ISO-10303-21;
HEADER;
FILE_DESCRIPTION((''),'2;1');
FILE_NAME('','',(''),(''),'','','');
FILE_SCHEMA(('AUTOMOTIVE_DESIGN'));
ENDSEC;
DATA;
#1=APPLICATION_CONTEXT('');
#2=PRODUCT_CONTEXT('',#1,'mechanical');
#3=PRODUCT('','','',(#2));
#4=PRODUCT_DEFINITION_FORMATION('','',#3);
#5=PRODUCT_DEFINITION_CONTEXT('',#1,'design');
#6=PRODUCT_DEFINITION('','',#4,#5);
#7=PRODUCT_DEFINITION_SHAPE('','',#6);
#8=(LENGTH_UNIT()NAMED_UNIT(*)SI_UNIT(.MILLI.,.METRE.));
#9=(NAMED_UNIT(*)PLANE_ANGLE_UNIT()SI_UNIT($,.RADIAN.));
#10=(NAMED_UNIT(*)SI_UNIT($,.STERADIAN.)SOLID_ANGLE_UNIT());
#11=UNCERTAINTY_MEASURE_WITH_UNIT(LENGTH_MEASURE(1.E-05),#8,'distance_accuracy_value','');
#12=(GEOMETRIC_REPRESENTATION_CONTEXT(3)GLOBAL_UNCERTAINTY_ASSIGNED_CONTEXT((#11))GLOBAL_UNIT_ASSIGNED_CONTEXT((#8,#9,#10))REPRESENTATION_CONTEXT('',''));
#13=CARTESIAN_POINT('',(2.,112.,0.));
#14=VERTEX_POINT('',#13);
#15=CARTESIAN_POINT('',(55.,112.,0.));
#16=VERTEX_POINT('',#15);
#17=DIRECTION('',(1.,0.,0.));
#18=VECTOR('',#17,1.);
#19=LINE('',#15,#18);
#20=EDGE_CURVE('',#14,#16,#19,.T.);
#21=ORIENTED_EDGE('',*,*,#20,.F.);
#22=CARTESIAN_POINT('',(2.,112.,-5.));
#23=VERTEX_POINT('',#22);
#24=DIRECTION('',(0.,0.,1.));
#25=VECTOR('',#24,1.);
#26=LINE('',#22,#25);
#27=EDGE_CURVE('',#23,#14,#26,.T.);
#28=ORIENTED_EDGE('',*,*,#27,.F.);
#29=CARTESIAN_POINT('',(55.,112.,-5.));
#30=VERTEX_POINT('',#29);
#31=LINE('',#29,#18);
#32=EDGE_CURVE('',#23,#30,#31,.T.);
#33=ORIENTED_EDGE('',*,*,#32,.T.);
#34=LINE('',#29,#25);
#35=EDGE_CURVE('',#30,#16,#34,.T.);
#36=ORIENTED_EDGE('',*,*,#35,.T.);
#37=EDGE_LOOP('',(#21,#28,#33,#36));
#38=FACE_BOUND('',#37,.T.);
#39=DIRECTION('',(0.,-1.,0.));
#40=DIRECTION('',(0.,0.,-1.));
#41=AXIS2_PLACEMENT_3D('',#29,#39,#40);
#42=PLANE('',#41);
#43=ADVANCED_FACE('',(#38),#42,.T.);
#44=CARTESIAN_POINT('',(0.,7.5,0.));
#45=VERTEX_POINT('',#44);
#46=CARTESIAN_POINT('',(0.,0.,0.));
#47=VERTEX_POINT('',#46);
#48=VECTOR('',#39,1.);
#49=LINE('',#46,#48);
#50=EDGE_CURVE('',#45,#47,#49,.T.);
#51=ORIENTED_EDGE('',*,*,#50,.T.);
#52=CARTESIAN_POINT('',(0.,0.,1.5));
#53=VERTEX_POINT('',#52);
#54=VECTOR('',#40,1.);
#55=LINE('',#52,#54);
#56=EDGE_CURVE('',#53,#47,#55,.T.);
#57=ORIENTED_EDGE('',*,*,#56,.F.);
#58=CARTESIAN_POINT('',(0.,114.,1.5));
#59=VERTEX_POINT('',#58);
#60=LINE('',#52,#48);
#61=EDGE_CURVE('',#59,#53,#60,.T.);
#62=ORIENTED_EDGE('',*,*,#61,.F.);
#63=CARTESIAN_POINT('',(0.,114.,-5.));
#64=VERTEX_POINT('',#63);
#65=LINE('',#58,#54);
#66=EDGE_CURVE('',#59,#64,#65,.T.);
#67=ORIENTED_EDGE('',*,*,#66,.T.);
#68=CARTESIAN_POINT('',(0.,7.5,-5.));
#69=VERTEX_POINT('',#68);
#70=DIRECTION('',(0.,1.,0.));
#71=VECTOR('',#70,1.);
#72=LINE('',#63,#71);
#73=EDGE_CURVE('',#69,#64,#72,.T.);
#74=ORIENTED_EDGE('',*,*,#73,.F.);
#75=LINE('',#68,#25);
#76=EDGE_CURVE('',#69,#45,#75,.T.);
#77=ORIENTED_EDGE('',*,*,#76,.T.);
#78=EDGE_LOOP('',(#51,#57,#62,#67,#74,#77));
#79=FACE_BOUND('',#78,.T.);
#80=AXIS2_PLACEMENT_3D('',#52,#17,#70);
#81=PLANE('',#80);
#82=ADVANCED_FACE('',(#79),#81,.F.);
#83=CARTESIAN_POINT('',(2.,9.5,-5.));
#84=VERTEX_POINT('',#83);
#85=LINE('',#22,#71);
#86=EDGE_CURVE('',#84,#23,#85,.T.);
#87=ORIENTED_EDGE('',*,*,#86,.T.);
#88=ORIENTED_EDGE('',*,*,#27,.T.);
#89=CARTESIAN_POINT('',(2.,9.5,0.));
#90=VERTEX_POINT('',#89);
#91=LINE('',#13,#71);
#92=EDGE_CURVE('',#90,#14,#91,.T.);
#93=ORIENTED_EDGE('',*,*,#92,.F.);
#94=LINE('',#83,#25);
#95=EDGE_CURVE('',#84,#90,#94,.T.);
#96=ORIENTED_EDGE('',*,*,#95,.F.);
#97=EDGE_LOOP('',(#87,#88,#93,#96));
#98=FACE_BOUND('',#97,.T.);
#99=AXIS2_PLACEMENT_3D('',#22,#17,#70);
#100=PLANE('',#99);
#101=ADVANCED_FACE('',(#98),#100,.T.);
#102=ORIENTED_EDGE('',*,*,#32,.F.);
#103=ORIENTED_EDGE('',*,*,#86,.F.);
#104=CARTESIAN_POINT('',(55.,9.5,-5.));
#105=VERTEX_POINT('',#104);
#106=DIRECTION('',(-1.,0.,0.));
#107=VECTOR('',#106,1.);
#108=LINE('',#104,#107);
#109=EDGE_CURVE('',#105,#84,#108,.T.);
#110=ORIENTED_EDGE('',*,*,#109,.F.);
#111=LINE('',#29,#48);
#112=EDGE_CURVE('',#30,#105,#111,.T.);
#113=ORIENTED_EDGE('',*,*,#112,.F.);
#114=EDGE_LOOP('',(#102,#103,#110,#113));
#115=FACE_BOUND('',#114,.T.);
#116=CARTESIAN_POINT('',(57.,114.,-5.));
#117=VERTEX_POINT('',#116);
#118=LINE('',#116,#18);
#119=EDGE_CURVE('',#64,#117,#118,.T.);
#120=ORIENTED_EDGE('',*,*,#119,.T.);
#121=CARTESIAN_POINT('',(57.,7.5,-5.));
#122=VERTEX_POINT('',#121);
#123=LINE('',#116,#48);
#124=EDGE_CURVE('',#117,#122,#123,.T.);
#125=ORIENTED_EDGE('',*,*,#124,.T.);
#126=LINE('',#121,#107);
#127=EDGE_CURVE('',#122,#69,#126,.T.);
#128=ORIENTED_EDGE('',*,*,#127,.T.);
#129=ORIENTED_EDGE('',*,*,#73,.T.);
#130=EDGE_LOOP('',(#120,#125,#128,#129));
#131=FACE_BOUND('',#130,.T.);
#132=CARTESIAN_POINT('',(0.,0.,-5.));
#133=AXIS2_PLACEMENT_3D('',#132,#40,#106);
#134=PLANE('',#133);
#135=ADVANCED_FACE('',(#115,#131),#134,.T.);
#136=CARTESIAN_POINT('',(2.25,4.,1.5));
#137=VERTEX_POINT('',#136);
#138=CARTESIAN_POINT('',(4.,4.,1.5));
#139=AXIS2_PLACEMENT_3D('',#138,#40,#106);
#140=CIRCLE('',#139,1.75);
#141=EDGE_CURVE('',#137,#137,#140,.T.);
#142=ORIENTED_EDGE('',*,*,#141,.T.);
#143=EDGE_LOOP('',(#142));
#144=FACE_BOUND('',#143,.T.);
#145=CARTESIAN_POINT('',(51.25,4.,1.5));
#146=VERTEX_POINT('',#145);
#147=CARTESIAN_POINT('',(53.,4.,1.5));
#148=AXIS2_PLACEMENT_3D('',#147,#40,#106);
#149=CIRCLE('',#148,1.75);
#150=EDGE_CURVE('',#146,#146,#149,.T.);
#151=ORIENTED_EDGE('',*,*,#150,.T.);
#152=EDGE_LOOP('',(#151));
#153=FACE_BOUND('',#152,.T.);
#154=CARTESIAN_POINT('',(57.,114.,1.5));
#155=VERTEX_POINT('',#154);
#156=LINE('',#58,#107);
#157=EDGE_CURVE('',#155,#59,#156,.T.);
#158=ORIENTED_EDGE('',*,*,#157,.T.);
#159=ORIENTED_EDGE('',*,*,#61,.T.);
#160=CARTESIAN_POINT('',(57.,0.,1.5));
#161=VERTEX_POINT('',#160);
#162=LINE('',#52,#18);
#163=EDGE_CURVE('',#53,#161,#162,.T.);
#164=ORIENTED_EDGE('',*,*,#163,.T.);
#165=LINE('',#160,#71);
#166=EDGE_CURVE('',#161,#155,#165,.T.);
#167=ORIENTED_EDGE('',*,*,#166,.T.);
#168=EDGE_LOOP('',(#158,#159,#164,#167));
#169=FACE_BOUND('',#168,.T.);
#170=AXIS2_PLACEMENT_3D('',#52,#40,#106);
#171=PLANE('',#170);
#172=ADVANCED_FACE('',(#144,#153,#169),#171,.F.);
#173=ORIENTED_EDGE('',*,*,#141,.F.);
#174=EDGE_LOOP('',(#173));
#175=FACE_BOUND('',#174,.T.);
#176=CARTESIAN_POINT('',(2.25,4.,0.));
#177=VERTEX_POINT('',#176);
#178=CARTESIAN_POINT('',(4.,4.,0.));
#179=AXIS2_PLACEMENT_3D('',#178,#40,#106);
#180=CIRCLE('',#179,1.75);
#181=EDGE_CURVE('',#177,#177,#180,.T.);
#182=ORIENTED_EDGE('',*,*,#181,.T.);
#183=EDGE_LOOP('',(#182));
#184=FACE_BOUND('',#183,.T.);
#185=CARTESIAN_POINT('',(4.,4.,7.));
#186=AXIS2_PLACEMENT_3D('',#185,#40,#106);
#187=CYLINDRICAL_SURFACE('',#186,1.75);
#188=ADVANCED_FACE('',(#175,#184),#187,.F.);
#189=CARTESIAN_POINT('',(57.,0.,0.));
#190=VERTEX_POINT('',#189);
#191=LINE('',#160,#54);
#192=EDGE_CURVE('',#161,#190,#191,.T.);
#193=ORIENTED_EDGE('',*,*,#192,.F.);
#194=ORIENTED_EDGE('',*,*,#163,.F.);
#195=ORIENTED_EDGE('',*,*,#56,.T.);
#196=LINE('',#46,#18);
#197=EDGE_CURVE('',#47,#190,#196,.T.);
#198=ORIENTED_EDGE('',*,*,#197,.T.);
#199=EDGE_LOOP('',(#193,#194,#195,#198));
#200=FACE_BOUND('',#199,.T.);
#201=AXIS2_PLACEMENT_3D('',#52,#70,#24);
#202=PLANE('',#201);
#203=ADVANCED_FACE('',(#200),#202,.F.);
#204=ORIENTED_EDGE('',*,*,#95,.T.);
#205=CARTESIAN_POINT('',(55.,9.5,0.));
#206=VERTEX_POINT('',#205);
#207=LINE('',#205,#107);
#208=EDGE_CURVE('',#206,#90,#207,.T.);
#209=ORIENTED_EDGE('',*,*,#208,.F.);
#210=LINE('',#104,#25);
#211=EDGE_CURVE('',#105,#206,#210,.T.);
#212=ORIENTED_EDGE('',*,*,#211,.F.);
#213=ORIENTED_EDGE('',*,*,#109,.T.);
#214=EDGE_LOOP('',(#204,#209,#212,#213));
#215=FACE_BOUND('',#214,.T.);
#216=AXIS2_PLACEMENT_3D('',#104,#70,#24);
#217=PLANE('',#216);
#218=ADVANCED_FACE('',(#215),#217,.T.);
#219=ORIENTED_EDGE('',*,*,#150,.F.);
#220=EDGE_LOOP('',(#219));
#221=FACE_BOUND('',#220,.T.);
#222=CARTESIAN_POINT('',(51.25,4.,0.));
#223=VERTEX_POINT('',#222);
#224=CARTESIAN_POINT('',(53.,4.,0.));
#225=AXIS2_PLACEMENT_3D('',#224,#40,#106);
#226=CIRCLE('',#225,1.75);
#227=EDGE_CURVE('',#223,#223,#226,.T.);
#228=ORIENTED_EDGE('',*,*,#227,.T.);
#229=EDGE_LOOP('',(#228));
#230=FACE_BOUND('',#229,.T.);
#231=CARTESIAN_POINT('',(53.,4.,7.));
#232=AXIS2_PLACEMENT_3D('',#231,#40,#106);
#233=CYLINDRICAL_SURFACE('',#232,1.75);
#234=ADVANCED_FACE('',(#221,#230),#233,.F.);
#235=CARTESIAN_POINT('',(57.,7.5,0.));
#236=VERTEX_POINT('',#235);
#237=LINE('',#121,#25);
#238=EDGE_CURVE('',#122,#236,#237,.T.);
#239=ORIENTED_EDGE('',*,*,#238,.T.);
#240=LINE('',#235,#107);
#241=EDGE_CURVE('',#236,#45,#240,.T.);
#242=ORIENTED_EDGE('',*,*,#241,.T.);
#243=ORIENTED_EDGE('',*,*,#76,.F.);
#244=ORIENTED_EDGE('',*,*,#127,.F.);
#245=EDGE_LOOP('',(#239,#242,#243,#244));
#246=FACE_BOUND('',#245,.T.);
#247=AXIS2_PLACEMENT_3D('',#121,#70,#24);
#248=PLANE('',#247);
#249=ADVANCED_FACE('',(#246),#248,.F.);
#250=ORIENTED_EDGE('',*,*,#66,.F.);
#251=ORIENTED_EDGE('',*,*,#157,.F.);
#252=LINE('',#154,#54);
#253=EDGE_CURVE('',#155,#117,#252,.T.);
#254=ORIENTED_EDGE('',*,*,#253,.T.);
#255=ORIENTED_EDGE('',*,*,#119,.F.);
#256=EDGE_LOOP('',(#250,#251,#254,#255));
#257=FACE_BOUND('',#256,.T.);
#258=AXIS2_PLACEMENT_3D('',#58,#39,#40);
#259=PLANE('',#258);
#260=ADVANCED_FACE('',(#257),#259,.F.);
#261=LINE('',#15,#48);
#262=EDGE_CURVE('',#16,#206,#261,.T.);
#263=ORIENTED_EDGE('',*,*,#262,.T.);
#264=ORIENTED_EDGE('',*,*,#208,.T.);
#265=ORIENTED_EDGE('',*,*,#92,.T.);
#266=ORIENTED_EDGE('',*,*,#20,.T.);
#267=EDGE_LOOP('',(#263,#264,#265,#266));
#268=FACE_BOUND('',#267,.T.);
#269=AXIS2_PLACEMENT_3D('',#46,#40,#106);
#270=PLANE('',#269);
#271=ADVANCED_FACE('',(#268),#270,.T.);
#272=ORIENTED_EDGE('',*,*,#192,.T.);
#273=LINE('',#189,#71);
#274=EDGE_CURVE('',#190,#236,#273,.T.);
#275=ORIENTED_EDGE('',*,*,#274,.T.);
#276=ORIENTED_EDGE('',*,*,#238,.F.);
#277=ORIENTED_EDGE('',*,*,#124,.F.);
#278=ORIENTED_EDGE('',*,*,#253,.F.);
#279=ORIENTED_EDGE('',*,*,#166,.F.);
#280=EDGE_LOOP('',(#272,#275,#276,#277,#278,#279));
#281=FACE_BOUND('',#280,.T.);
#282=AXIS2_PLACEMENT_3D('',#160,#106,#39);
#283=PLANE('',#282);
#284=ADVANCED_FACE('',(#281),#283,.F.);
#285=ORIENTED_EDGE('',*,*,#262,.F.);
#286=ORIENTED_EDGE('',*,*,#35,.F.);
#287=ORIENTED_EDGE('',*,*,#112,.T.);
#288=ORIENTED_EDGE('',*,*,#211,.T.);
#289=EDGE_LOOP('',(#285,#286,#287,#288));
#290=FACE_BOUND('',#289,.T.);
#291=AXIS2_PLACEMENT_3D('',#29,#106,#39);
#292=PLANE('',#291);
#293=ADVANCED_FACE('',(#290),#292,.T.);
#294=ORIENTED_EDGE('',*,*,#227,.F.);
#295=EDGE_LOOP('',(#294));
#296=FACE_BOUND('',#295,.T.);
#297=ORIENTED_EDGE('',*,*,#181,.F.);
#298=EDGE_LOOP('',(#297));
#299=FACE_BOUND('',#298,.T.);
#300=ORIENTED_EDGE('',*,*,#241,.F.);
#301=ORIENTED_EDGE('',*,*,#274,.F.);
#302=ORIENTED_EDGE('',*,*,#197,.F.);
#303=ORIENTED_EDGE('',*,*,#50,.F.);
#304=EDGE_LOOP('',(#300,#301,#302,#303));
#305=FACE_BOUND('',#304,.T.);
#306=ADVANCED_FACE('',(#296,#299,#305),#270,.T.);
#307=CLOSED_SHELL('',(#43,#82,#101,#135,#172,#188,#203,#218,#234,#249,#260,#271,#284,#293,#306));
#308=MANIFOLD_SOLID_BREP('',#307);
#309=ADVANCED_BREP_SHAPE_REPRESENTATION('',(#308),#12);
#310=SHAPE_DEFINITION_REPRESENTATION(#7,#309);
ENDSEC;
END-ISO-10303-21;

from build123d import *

# Parameters (mm, degrees)
ESQUISSE1_W             = 57
ESQUISSE1_H             = 114
BOSS_EXTRU_1_DEPTH      = 1.5
ESQUISSE3_R             = 1.75
ESQUISSE3_W             = 57
ESQUISSE3_H             = 106.5
ESQUISSE3_W_2           = 53
ESQUISSE3_H_2           = 102.5
BOSS_EXTRU_2_DEPTH      = 5
ENL_V_START             = -12
ESQUISSE4_R             = 1.75
ENL_V_MAT_EXTRU_1_DEPTH = 12


with BuildPart() as part:
    # Esquisse1 → Boss.-Extru.1 (new body)
    with BuildSketch(Plane.XY):
        with Locations((28.5, 57)):
            Rectangle(ESQUISSE1_W, ESQUISSE1_H)
    extrude(amount=BOSS_EXTRU_1_DEPTH)

    # Esquisse3 → Boss.-Extru.2 (add)
    # profile 1 of 3: a face of its own
    with BuildSketch(Plane(origin=(0, 0, 0), x_dir=(-1, 0, 0), z_dir=(0, 0, -1))):
        with Locations((-4, 4)):
            Circle(ESQUISSE3_R)
    # profile 2 of 3: a face of its own
    with BuildSketch(Plane(origin=(0, 0, 0), x_dir=(-1, 0, 0), z_dir=(0, 0, -1))):
        with Locations((-53, 4)):
            Circle(ESQUISSE3_R)
    # profile 3 of 3: a face of its own
    with BuildSketch(Plane(origin=(0, 0, 0), x_dir=(-1, 0, 0), z_dir=(0, 0, -1))):
        with Locations((-28.5, 60.75)):
            Rectangle(ESQUISSE3_W, ESQUISSE3_H)
        with Locations((-28.5, 60.75)):
            Rectangle(ESQUISSE3_W_2, ESQUISSE3_H_2, mode=Mode.SUBTRACT)
    extrude(amount=BOSS_EXTRU_2_DEPTH)

    # Esquisse4 → Enlèv. mat.-Extru.1 (cut)
    with BuildSketch(Plane(origin=(0, 0, -5), x_dir=(-1, 0, 0), z_dir=(0, 0, -1)).offset(ENL_V_START)):
        with Locations((-4, 4)):
            Circle(ESQUISSE4_R)
        with Locations((-53, 4)):
            Circle(ESQUISSE4_R)
    extrude(amount=ENL_V_MAT_EXTRU_1_DEPTH, mode=Mode.SUBTRACT)


solid = part.part
